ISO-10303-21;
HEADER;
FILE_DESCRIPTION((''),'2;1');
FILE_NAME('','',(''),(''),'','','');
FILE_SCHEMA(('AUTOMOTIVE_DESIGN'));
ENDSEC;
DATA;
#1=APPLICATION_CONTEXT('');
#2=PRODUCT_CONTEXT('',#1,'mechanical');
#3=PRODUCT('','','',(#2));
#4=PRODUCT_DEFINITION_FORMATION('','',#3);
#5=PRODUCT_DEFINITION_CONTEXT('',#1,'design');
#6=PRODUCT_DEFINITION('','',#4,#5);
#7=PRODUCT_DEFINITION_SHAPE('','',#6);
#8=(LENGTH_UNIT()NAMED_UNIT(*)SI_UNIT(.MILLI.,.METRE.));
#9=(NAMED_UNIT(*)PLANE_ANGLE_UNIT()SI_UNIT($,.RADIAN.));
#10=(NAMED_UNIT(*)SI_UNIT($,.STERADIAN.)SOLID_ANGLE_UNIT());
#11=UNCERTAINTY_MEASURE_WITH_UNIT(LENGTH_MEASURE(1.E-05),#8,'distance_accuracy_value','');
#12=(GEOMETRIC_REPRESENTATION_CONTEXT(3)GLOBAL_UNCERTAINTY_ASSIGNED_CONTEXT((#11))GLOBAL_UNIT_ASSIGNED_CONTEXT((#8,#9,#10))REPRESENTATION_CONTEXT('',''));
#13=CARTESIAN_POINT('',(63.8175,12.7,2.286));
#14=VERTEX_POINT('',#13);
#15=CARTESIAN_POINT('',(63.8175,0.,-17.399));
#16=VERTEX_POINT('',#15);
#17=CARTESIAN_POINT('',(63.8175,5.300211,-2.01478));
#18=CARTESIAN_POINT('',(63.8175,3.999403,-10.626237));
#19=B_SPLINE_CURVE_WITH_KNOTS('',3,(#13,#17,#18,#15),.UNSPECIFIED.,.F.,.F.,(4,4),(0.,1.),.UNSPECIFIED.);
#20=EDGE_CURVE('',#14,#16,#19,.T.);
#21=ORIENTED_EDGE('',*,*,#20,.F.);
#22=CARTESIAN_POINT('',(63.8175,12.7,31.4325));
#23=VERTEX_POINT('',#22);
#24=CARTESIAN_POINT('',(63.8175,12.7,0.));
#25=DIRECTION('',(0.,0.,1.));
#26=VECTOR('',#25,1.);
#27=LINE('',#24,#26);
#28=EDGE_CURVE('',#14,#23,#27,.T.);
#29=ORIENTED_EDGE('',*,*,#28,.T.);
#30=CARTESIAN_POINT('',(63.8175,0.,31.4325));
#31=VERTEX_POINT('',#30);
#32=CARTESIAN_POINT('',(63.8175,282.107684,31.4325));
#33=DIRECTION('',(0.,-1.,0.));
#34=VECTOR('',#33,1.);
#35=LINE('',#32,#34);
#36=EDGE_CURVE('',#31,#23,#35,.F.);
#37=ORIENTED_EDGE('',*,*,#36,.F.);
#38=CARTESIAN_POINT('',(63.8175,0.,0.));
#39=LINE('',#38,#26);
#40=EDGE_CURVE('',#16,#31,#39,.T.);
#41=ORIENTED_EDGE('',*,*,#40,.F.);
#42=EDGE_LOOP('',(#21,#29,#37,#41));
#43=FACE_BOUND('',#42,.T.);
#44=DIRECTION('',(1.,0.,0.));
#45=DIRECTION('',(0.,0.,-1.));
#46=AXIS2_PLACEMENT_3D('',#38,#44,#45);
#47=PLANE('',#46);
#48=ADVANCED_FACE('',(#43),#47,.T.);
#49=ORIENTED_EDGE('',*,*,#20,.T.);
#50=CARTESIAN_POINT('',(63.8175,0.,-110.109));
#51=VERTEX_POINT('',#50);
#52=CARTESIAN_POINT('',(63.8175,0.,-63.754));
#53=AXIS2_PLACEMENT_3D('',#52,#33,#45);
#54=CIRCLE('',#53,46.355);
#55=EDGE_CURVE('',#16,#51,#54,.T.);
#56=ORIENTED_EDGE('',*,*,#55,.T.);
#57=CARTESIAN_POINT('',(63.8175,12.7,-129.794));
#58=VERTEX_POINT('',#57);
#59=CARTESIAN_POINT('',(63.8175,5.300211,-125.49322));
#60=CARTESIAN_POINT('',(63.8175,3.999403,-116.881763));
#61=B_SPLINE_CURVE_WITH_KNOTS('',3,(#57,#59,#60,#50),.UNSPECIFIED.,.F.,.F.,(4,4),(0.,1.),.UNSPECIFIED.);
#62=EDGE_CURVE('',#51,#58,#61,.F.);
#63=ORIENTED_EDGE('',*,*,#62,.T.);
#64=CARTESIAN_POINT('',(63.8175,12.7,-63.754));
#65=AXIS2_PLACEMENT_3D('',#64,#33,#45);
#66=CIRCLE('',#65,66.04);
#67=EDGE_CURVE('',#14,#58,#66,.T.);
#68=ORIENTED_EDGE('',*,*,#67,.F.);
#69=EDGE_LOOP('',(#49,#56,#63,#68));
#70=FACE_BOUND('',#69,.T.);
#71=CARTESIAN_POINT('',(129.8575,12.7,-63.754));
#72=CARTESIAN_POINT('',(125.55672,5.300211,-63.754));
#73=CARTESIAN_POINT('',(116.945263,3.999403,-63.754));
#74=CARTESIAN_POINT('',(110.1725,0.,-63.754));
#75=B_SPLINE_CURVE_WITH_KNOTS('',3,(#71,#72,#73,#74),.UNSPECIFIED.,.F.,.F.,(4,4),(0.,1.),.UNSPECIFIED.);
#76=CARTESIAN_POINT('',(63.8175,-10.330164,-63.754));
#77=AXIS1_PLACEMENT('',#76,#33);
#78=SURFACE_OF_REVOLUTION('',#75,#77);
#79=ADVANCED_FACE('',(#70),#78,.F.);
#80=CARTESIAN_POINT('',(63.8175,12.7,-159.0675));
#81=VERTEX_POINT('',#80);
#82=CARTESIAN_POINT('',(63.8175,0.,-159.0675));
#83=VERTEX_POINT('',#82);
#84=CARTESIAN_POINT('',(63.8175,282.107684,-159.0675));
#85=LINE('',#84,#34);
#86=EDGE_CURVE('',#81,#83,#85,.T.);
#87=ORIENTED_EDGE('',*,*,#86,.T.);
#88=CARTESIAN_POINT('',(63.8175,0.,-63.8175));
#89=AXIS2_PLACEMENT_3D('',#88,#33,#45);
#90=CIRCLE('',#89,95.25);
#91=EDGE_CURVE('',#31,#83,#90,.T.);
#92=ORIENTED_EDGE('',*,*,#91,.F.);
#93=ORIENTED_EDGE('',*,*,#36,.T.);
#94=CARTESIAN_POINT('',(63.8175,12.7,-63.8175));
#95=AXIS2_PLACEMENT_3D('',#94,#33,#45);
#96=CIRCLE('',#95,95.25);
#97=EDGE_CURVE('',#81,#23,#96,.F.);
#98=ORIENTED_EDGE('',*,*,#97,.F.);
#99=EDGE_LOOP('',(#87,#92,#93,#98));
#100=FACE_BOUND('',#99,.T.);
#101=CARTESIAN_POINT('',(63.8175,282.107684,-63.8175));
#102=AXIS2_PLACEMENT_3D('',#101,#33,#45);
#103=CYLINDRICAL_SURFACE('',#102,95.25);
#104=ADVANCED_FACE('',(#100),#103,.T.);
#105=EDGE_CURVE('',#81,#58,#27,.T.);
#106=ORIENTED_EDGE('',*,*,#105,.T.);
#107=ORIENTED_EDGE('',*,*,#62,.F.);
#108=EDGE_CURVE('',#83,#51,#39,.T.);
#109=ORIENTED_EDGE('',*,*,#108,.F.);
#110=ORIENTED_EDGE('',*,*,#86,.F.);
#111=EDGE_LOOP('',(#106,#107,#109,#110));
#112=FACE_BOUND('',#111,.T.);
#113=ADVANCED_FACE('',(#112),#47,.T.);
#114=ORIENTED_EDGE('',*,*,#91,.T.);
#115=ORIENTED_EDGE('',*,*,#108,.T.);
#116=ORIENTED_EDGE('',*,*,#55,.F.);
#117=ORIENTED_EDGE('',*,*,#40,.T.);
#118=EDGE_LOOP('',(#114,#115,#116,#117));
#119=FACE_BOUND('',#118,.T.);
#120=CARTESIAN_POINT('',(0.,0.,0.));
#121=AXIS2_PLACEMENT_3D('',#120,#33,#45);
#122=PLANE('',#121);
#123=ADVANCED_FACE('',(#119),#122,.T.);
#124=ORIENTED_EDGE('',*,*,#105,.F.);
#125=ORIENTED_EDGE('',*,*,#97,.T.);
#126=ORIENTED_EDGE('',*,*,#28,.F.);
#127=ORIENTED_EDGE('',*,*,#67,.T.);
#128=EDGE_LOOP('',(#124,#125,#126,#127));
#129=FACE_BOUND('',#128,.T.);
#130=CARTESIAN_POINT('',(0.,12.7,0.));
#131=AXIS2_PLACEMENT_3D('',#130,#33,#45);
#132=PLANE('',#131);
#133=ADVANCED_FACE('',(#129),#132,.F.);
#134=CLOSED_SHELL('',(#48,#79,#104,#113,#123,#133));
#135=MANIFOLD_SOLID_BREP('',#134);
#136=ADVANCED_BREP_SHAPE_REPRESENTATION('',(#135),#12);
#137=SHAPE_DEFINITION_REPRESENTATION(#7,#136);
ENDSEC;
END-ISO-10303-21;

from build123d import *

# Parameters (mm, degrees)
SKETCH1_W           = 127.635
SKETCH1_H           = 127.635
BOSS_EXTRUDE1_DEPTH = 12.7
SKETCH12_R          = 95.4151
BOSS_EXTRUDE2_DEPTH = 12.7
SKETCH5_R           = 46.355
CUT_EXTRUDE1_DEPTH  = 9.525
SKETCH30_R          = 85.09
SKETCH30_R_2        = 79.375
BOSS_EXTRUDE3_DEPTH = 12.7
SKETCH32_R          = 1.35255
CUT_EXTRUDE4_DEPTH  = 15.24
CIRPATTERN2_COUNT   = 12
SKETCH36_R          = 115.31206939
SKETCH36_R_2        = 76.2
CUT_EXTRUDE5_DEPTH  = 35.9250001
SKETCH38_R          = 95.25
SKETCH38_R_2        = 76.2
BOSS_EXTRUDE4_DEPTH = 12.7
SKETCH37_W          = 208.61583397
SKETCH37_H          = 123.882270127
CUT_EXTRUDE6_DEPTH  = 96.25


with BuildPart() as part:
    # Sketch1 → Boss-Extrude1 (new body)
    with BuildSketch(Plane(origin=(0, 0, 0), x_dir=(1, 0, 0), z_dir=(0, 1, 0))):
        with Locations((63.8175, 63.8175)):
            Rectangle(SKETCH1_W, SKETCH1_H)
    extrude(amount=BOSS_EXTRUDE1_DEPTH)

    # Sketch12 → Boss-Extrude2 (add)
    with BuildSketch(Plane.XZ):
        with Locations((63.8175, -63.8175)):
            Circle(SKETCH12_R)
    extrude(amount=-BOSS_EXTRUDE2_DEPTH)

    # Sketch5 → Cut-Extrude1 (cut)
    with BuildSketch(Plane(origin=(0, 12.7, 0), x_dir=(1, 0, 0), z_dir=(0, 1, 0))):
        with Locations((63.8175, 63.8175)):
            Circle(SKETCH5_R)
    extrude(amount=-CUT_EXTRUDE1_DEPTH, mode=Mode.SUBTRACT)

    # Sketch30 → Boss-Extrude3 (add)
    with BuildSketch(Plane.XZ):
        with Locations((63.8175, -63.8175)):
            Circle(SKETCH30_R)
        with Locations((63.8175, -63.8175)):
            Circle(SKETCH30_R_2, mode=Mode.SUBTRACT)
    boss_extrude3 = extrude(amount=BOSS_EXTRUDE3_DEPTH)

    # Mirror1: Boss-Extrude3 across plane
    add(boss_extrude3.mirror(Plane.ZX.offset(4.7625)))

    # Sketch32 → Cut-Extrude4 (cut)
    with BuildSketch(Plane(origin=(0, 0, -148.9075), x_dir=(-1, 0, 0), z_dir=(0, 0, -1))):
        with Locations((-63.8175, -6.35)):
            Circle(SKETCH32_R)
        with Locations((-63.8175, 19.05)):
            Circle(SKETCH32_R)
    cut_extrude4 = extrude(amount=-CUT_EXTRUDE4_DEPTH, mode=Mode.SUBTRACT)

    # CirPattern2: Cut-Extrude4 ×12 about axis
    cirpattern2_axis = Axis((63.8175, -12.7, -63.8175), (0, 1, 0))
    for i in range(1, CIRPATTERN2_COUNT):
        add(cut_extrude4.rotate(cirpattern2_axis, i * 360 / CIRPATTERN2_COUNT), mode=Mode.SUBTRACT)

    # Sketch35 → Cut-Revolve1 (revolve, cut)
    with BuildSketch(Plane.XY.offset(-63.754)):
        with BuildLine():
            add(Edge.make_bspline(
                [(129.8575, 12.7), (125.556720128, 5.300210603), (116.945262531, 3.999403305), (110.1725, 0)],
                knots=[0, 0, 0, 0, 1, 1, 1, 1], degree=3))
            Line((110.1725, 0), (63.8175, 0))
            Line((63.8175, 0), (63.8175, 12.7))
            Line((63.8175, 12.7), (129.8575, 12.7))
        make_face()
    revolve(axis=Axis((63.8175, -10.330163638, -63.754), (0, 1, 0)), mode=Mode.SUBTRACT)

    # Sketch36 → Cut-Extrude5 (cut, through all)
    with BuildSketch(Plane(origin=(0, 22.225, 0), x_dir=(1, 0, 0), z_dir=(0, 1, 0))):
        with Locations((63.8175, 63.8175)):
            Circle(SKETCH36_R)
        with Locations((63.8175, 63.8175)):
            Circle(SKETCH36_R_2, mode=Mode.SUBTRACT)
    extrude(amount=-CUT_EXTRUDE5_DEPTH, mode=Mode.SUBTRACT)

    # Sketch38 → Boss-Extrude4 (add)
    with BuildSketch(Plane(origin=(0, 0, 0), x_dir=(-1, 0, 0), z_dir=(0, -1, 0))):
        with Locations((-63.8175, 63.8175)):
            Circle(SKETCH38_R)
        with Locations((-63.8175, 63.8175)):
            Circle(SKETCH38_R_2, mode=Mode.SUBTRACT)
    extrude(amount=-BOSS_EXTRUDE4_DEPTH)

    # Sketch37 → Cut-Extrude6 (cut, through all)
    with BuildSketch(Plane(origin=(63.8175, 0, 0), x_dir=(0, 0, -1), z_dir=(-1, 0, 0))):
        with Locations((61.023743595, -14.657491218)):
            Rectangle(SKETCH37_W, SKETCH37_H)
    extrude(amount=-CUT_EXTRUDE6_DEPTH, mode=Mode.SUBTRACT)


solid = part.part
